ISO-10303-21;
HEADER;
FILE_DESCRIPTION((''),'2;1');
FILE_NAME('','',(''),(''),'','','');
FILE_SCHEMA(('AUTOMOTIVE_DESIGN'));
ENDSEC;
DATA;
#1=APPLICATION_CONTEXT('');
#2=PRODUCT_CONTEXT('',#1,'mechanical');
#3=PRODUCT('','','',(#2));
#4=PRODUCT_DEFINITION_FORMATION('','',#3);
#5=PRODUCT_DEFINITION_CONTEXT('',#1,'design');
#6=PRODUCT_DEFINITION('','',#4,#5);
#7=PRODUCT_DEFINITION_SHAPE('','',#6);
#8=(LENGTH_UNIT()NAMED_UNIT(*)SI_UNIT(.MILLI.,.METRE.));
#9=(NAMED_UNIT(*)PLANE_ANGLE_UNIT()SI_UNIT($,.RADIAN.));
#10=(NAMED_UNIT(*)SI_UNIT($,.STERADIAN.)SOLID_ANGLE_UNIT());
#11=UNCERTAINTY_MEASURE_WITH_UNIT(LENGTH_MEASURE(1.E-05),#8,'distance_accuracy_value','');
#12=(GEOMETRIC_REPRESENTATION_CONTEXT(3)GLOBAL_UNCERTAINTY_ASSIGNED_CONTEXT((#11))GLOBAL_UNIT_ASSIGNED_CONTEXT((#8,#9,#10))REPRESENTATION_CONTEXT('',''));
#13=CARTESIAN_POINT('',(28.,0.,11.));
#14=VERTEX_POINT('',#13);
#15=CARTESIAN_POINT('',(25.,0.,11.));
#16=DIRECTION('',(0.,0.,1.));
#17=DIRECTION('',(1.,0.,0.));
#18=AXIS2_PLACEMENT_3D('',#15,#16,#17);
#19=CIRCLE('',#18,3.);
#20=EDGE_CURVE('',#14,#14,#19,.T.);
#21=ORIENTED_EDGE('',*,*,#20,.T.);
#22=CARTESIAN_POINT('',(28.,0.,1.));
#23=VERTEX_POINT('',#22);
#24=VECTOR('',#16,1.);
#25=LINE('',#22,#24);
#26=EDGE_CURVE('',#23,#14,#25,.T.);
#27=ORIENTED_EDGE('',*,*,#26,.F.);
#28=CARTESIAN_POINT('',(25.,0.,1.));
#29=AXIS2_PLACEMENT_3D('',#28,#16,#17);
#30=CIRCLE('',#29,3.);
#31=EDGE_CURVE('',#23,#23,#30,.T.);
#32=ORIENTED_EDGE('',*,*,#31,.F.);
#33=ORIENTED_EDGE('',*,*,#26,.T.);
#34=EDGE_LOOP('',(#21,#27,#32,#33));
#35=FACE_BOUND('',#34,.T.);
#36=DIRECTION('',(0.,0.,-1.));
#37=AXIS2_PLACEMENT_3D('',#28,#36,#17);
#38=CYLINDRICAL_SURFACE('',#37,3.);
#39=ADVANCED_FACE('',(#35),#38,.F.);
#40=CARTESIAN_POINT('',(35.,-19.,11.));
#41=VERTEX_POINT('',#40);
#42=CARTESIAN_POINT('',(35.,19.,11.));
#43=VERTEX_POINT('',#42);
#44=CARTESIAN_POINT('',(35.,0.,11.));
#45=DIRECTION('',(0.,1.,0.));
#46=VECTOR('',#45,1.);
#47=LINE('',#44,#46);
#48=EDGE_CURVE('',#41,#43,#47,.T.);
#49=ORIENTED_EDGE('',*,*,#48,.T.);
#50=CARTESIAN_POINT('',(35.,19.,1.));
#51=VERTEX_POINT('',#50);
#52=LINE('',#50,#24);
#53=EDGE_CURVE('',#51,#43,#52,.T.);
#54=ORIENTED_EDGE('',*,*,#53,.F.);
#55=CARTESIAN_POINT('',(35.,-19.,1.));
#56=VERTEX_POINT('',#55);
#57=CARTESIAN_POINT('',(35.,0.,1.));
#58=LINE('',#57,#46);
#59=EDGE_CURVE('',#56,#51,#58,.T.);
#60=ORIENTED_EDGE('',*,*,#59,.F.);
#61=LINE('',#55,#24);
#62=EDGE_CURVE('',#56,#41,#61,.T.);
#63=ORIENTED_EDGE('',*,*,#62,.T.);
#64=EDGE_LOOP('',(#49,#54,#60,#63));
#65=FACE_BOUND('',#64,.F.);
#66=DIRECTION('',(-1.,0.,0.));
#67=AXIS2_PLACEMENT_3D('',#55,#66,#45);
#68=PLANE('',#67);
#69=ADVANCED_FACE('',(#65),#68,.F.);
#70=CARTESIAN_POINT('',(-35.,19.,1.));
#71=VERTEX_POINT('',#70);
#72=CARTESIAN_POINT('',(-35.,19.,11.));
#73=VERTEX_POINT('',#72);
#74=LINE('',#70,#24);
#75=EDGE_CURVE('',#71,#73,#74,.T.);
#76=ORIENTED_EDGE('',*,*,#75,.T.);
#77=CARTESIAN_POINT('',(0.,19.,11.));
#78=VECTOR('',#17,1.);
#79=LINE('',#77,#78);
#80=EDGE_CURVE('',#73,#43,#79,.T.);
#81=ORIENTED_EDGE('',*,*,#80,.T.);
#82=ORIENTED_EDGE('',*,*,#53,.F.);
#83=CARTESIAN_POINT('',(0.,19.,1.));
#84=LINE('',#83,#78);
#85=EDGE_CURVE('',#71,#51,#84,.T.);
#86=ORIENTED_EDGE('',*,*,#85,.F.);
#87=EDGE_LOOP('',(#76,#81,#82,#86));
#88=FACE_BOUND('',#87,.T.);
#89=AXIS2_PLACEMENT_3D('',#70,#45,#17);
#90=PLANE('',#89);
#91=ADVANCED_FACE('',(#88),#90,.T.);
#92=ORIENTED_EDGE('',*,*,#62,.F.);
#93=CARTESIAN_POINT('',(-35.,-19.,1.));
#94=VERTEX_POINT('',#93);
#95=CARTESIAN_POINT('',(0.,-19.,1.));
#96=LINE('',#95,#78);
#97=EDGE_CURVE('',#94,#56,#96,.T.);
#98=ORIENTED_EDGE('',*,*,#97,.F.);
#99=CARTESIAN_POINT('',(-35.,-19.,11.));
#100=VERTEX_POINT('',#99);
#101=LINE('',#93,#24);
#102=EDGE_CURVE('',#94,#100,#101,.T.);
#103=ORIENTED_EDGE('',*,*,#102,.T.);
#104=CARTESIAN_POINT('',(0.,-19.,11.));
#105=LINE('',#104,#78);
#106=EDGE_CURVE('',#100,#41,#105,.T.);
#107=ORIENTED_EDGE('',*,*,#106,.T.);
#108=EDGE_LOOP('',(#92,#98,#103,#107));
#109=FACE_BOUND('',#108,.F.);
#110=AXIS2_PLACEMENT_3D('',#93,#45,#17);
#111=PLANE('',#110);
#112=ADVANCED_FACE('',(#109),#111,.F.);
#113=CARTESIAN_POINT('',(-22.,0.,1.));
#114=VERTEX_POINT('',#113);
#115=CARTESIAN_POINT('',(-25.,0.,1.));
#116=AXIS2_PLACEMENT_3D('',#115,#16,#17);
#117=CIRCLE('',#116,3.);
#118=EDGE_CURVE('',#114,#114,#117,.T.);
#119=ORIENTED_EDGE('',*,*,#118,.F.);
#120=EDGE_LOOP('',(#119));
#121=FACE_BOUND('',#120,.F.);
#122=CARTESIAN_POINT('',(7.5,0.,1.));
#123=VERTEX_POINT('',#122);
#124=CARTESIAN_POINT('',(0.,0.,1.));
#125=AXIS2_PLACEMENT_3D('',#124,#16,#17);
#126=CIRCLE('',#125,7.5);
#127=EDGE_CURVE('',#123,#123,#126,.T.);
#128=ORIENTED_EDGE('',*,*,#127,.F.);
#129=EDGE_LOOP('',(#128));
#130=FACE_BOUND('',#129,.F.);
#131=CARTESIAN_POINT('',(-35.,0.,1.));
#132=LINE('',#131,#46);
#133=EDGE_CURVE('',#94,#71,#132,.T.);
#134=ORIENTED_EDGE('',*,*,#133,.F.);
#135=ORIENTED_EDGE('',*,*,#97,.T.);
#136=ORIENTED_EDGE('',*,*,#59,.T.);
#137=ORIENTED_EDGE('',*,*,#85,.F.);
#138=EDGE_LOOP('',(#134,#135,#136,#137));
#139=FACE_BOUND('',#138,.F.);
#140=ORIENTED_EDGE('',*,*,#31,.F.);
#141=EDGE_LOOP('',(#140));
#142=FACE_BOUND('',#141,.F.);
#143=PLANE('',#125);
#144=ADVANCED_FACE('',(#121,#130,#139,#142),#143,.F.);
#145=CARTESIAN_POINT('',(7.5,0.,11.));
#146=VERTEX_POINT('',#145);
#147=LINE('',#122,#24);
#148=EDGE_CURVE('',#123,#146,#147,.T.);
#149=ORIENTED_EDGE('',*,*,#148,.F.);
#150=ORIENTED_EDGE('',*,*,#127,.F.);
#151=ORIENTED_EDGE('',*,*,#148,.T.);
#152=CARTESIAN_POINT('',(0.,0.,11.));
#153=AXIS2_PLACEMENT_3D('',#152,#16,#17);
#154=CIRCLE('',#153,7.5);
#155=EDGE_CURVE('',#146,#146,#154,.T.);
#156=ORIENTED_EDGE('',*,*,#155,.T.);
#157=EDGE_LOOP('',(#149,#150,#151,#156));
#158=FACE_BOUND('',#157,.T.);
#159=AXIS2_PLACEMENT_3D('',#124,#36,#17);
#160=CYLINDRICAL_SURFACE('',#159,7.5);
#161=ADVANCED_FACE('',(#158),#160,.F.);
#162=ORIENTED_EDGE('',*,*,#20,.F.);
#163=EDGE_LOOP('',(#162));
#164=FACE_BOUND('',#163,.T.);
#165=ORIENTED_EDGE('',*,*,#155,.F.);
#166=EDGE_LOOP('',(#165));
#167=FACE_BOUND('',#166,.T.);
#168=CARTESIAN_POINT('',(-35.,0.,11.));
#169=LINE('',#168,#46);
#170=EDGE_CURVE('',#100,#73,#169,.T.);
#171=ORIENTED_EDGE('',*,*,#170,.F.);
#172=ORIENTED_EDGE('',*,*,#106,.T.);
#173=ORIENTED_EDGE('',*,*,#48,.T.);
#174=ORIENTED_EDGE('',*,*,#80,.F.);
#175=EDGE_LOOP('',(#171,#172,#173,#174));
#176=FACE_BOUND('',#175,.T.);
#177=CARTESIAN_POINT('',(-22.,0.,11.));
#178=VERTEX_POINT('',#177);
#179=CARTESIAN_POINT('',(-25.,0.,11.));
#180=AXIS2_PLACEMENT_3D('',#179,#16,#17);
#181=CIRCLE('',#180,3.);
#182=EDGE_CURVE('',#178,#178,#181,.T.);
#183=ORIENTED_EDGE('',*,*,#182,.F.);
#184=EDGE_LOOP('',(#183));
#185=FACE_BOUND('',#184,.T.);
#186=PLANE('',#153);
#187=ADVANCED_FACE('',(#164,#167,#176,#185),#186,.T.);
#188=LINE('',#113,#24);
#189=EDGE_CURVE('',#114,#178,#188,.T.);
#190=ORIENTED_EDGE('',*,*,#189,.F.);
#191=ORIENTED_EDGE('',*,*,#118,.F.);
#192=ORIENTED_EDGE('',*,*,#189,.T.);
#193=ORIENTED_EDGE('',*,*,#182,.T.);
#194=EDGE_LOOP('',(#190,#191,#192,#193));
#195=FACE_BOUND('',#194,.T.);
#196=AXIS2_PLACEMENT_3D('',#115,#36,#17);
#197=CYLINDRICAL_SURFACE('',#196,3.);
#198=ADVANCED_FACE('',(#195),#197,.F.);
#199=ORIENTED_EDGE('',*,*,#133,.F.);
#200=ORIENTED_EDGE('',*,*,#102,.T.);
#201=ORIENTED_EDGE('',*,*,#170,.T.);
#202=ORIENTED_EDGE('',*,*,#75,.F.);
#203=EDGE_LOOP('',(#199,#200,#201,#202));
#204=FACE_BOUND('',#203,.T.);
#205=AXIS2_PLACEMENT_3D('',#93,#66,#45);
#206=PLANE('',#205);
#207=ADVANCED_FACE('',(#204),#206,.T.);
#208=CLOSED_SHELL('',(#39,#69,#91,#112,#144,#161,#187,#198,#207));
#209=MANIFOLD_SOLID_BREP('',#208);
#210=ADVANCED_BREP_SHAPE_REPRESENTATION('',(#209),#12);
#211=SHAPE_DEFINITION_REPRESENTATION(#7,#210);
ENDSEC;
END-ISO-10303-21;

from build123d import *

# Parameters (mm, degrees)
CYLINDER004_R     = 7.5
CYLINDER004_DEPTH = 10
CYLINDER003_R     = 3
CYLINDER003_DEPTH = 10
ARRAY001_X_COUNT  = 2
ARRAY001_X_PITCH  = 50
RECTANGLE001_W    = 70
RECTANGLE001_H    = 38
EXTRUDE001_DEPTH  = 10


with BuildPart() as cilindro004:
    # Cylinder004 → Cylinder004 (new body)
    with BuildSketch(Plane(origin=(0, -5, 0), x_dir=(1, 0, 0), z_dir=(0, 0, 1))):
        Circle(CYLINDER004_R)
    extrude(amount=CYLINDER004_DEPTH)


with BuildPart() as fusion:
    # Cylinder003 → Cylinder003 (new body)
    with BuildSketch(Plane(origin=(25, -5, 0), x_dir=(1, 0, 0), z_dir=(0, 0, 1))):
        Circle(CYLINDER003_R)
    extrude(amount=CYLINDER003_DEPTH)

    # Array001 X: Fusion ×2


with BuildPart() as fusion_1:
    add(fusion.part)
    with Locations(*[(-i * ARRAY001_X_PITCH, 0, 0) for i in range(1, ARRAY001_X_COUNT)]):
        add(fusion.part)

    # Fusion: union Cilindro004
    add(cilindro004.part)


with BuildPart() as x_carr:
    # Rectangle001 → Extrude001 (new body)
    with BuildSketch(Plane(origin=(-35, -24, 0), x_dir=(1, 0, 0), z_dir=(0, 0, 1))):
        with Locations((35, 19)):
            Rectangle(RECTANGLE001_W, RECTANGLE001_H)
    extrude(amount=EXTRUDE001_DEPTH)

    # Cut003: cut Fusion
    add(fusion_1.part, mode=Mode.SUBTRACT)


with BuildPart() as x_carr_1:
    # Cut003 placement: moved
    add(x_carr.part.moved(Location((0, 5, 1))))


solid = x_carr_1.part
